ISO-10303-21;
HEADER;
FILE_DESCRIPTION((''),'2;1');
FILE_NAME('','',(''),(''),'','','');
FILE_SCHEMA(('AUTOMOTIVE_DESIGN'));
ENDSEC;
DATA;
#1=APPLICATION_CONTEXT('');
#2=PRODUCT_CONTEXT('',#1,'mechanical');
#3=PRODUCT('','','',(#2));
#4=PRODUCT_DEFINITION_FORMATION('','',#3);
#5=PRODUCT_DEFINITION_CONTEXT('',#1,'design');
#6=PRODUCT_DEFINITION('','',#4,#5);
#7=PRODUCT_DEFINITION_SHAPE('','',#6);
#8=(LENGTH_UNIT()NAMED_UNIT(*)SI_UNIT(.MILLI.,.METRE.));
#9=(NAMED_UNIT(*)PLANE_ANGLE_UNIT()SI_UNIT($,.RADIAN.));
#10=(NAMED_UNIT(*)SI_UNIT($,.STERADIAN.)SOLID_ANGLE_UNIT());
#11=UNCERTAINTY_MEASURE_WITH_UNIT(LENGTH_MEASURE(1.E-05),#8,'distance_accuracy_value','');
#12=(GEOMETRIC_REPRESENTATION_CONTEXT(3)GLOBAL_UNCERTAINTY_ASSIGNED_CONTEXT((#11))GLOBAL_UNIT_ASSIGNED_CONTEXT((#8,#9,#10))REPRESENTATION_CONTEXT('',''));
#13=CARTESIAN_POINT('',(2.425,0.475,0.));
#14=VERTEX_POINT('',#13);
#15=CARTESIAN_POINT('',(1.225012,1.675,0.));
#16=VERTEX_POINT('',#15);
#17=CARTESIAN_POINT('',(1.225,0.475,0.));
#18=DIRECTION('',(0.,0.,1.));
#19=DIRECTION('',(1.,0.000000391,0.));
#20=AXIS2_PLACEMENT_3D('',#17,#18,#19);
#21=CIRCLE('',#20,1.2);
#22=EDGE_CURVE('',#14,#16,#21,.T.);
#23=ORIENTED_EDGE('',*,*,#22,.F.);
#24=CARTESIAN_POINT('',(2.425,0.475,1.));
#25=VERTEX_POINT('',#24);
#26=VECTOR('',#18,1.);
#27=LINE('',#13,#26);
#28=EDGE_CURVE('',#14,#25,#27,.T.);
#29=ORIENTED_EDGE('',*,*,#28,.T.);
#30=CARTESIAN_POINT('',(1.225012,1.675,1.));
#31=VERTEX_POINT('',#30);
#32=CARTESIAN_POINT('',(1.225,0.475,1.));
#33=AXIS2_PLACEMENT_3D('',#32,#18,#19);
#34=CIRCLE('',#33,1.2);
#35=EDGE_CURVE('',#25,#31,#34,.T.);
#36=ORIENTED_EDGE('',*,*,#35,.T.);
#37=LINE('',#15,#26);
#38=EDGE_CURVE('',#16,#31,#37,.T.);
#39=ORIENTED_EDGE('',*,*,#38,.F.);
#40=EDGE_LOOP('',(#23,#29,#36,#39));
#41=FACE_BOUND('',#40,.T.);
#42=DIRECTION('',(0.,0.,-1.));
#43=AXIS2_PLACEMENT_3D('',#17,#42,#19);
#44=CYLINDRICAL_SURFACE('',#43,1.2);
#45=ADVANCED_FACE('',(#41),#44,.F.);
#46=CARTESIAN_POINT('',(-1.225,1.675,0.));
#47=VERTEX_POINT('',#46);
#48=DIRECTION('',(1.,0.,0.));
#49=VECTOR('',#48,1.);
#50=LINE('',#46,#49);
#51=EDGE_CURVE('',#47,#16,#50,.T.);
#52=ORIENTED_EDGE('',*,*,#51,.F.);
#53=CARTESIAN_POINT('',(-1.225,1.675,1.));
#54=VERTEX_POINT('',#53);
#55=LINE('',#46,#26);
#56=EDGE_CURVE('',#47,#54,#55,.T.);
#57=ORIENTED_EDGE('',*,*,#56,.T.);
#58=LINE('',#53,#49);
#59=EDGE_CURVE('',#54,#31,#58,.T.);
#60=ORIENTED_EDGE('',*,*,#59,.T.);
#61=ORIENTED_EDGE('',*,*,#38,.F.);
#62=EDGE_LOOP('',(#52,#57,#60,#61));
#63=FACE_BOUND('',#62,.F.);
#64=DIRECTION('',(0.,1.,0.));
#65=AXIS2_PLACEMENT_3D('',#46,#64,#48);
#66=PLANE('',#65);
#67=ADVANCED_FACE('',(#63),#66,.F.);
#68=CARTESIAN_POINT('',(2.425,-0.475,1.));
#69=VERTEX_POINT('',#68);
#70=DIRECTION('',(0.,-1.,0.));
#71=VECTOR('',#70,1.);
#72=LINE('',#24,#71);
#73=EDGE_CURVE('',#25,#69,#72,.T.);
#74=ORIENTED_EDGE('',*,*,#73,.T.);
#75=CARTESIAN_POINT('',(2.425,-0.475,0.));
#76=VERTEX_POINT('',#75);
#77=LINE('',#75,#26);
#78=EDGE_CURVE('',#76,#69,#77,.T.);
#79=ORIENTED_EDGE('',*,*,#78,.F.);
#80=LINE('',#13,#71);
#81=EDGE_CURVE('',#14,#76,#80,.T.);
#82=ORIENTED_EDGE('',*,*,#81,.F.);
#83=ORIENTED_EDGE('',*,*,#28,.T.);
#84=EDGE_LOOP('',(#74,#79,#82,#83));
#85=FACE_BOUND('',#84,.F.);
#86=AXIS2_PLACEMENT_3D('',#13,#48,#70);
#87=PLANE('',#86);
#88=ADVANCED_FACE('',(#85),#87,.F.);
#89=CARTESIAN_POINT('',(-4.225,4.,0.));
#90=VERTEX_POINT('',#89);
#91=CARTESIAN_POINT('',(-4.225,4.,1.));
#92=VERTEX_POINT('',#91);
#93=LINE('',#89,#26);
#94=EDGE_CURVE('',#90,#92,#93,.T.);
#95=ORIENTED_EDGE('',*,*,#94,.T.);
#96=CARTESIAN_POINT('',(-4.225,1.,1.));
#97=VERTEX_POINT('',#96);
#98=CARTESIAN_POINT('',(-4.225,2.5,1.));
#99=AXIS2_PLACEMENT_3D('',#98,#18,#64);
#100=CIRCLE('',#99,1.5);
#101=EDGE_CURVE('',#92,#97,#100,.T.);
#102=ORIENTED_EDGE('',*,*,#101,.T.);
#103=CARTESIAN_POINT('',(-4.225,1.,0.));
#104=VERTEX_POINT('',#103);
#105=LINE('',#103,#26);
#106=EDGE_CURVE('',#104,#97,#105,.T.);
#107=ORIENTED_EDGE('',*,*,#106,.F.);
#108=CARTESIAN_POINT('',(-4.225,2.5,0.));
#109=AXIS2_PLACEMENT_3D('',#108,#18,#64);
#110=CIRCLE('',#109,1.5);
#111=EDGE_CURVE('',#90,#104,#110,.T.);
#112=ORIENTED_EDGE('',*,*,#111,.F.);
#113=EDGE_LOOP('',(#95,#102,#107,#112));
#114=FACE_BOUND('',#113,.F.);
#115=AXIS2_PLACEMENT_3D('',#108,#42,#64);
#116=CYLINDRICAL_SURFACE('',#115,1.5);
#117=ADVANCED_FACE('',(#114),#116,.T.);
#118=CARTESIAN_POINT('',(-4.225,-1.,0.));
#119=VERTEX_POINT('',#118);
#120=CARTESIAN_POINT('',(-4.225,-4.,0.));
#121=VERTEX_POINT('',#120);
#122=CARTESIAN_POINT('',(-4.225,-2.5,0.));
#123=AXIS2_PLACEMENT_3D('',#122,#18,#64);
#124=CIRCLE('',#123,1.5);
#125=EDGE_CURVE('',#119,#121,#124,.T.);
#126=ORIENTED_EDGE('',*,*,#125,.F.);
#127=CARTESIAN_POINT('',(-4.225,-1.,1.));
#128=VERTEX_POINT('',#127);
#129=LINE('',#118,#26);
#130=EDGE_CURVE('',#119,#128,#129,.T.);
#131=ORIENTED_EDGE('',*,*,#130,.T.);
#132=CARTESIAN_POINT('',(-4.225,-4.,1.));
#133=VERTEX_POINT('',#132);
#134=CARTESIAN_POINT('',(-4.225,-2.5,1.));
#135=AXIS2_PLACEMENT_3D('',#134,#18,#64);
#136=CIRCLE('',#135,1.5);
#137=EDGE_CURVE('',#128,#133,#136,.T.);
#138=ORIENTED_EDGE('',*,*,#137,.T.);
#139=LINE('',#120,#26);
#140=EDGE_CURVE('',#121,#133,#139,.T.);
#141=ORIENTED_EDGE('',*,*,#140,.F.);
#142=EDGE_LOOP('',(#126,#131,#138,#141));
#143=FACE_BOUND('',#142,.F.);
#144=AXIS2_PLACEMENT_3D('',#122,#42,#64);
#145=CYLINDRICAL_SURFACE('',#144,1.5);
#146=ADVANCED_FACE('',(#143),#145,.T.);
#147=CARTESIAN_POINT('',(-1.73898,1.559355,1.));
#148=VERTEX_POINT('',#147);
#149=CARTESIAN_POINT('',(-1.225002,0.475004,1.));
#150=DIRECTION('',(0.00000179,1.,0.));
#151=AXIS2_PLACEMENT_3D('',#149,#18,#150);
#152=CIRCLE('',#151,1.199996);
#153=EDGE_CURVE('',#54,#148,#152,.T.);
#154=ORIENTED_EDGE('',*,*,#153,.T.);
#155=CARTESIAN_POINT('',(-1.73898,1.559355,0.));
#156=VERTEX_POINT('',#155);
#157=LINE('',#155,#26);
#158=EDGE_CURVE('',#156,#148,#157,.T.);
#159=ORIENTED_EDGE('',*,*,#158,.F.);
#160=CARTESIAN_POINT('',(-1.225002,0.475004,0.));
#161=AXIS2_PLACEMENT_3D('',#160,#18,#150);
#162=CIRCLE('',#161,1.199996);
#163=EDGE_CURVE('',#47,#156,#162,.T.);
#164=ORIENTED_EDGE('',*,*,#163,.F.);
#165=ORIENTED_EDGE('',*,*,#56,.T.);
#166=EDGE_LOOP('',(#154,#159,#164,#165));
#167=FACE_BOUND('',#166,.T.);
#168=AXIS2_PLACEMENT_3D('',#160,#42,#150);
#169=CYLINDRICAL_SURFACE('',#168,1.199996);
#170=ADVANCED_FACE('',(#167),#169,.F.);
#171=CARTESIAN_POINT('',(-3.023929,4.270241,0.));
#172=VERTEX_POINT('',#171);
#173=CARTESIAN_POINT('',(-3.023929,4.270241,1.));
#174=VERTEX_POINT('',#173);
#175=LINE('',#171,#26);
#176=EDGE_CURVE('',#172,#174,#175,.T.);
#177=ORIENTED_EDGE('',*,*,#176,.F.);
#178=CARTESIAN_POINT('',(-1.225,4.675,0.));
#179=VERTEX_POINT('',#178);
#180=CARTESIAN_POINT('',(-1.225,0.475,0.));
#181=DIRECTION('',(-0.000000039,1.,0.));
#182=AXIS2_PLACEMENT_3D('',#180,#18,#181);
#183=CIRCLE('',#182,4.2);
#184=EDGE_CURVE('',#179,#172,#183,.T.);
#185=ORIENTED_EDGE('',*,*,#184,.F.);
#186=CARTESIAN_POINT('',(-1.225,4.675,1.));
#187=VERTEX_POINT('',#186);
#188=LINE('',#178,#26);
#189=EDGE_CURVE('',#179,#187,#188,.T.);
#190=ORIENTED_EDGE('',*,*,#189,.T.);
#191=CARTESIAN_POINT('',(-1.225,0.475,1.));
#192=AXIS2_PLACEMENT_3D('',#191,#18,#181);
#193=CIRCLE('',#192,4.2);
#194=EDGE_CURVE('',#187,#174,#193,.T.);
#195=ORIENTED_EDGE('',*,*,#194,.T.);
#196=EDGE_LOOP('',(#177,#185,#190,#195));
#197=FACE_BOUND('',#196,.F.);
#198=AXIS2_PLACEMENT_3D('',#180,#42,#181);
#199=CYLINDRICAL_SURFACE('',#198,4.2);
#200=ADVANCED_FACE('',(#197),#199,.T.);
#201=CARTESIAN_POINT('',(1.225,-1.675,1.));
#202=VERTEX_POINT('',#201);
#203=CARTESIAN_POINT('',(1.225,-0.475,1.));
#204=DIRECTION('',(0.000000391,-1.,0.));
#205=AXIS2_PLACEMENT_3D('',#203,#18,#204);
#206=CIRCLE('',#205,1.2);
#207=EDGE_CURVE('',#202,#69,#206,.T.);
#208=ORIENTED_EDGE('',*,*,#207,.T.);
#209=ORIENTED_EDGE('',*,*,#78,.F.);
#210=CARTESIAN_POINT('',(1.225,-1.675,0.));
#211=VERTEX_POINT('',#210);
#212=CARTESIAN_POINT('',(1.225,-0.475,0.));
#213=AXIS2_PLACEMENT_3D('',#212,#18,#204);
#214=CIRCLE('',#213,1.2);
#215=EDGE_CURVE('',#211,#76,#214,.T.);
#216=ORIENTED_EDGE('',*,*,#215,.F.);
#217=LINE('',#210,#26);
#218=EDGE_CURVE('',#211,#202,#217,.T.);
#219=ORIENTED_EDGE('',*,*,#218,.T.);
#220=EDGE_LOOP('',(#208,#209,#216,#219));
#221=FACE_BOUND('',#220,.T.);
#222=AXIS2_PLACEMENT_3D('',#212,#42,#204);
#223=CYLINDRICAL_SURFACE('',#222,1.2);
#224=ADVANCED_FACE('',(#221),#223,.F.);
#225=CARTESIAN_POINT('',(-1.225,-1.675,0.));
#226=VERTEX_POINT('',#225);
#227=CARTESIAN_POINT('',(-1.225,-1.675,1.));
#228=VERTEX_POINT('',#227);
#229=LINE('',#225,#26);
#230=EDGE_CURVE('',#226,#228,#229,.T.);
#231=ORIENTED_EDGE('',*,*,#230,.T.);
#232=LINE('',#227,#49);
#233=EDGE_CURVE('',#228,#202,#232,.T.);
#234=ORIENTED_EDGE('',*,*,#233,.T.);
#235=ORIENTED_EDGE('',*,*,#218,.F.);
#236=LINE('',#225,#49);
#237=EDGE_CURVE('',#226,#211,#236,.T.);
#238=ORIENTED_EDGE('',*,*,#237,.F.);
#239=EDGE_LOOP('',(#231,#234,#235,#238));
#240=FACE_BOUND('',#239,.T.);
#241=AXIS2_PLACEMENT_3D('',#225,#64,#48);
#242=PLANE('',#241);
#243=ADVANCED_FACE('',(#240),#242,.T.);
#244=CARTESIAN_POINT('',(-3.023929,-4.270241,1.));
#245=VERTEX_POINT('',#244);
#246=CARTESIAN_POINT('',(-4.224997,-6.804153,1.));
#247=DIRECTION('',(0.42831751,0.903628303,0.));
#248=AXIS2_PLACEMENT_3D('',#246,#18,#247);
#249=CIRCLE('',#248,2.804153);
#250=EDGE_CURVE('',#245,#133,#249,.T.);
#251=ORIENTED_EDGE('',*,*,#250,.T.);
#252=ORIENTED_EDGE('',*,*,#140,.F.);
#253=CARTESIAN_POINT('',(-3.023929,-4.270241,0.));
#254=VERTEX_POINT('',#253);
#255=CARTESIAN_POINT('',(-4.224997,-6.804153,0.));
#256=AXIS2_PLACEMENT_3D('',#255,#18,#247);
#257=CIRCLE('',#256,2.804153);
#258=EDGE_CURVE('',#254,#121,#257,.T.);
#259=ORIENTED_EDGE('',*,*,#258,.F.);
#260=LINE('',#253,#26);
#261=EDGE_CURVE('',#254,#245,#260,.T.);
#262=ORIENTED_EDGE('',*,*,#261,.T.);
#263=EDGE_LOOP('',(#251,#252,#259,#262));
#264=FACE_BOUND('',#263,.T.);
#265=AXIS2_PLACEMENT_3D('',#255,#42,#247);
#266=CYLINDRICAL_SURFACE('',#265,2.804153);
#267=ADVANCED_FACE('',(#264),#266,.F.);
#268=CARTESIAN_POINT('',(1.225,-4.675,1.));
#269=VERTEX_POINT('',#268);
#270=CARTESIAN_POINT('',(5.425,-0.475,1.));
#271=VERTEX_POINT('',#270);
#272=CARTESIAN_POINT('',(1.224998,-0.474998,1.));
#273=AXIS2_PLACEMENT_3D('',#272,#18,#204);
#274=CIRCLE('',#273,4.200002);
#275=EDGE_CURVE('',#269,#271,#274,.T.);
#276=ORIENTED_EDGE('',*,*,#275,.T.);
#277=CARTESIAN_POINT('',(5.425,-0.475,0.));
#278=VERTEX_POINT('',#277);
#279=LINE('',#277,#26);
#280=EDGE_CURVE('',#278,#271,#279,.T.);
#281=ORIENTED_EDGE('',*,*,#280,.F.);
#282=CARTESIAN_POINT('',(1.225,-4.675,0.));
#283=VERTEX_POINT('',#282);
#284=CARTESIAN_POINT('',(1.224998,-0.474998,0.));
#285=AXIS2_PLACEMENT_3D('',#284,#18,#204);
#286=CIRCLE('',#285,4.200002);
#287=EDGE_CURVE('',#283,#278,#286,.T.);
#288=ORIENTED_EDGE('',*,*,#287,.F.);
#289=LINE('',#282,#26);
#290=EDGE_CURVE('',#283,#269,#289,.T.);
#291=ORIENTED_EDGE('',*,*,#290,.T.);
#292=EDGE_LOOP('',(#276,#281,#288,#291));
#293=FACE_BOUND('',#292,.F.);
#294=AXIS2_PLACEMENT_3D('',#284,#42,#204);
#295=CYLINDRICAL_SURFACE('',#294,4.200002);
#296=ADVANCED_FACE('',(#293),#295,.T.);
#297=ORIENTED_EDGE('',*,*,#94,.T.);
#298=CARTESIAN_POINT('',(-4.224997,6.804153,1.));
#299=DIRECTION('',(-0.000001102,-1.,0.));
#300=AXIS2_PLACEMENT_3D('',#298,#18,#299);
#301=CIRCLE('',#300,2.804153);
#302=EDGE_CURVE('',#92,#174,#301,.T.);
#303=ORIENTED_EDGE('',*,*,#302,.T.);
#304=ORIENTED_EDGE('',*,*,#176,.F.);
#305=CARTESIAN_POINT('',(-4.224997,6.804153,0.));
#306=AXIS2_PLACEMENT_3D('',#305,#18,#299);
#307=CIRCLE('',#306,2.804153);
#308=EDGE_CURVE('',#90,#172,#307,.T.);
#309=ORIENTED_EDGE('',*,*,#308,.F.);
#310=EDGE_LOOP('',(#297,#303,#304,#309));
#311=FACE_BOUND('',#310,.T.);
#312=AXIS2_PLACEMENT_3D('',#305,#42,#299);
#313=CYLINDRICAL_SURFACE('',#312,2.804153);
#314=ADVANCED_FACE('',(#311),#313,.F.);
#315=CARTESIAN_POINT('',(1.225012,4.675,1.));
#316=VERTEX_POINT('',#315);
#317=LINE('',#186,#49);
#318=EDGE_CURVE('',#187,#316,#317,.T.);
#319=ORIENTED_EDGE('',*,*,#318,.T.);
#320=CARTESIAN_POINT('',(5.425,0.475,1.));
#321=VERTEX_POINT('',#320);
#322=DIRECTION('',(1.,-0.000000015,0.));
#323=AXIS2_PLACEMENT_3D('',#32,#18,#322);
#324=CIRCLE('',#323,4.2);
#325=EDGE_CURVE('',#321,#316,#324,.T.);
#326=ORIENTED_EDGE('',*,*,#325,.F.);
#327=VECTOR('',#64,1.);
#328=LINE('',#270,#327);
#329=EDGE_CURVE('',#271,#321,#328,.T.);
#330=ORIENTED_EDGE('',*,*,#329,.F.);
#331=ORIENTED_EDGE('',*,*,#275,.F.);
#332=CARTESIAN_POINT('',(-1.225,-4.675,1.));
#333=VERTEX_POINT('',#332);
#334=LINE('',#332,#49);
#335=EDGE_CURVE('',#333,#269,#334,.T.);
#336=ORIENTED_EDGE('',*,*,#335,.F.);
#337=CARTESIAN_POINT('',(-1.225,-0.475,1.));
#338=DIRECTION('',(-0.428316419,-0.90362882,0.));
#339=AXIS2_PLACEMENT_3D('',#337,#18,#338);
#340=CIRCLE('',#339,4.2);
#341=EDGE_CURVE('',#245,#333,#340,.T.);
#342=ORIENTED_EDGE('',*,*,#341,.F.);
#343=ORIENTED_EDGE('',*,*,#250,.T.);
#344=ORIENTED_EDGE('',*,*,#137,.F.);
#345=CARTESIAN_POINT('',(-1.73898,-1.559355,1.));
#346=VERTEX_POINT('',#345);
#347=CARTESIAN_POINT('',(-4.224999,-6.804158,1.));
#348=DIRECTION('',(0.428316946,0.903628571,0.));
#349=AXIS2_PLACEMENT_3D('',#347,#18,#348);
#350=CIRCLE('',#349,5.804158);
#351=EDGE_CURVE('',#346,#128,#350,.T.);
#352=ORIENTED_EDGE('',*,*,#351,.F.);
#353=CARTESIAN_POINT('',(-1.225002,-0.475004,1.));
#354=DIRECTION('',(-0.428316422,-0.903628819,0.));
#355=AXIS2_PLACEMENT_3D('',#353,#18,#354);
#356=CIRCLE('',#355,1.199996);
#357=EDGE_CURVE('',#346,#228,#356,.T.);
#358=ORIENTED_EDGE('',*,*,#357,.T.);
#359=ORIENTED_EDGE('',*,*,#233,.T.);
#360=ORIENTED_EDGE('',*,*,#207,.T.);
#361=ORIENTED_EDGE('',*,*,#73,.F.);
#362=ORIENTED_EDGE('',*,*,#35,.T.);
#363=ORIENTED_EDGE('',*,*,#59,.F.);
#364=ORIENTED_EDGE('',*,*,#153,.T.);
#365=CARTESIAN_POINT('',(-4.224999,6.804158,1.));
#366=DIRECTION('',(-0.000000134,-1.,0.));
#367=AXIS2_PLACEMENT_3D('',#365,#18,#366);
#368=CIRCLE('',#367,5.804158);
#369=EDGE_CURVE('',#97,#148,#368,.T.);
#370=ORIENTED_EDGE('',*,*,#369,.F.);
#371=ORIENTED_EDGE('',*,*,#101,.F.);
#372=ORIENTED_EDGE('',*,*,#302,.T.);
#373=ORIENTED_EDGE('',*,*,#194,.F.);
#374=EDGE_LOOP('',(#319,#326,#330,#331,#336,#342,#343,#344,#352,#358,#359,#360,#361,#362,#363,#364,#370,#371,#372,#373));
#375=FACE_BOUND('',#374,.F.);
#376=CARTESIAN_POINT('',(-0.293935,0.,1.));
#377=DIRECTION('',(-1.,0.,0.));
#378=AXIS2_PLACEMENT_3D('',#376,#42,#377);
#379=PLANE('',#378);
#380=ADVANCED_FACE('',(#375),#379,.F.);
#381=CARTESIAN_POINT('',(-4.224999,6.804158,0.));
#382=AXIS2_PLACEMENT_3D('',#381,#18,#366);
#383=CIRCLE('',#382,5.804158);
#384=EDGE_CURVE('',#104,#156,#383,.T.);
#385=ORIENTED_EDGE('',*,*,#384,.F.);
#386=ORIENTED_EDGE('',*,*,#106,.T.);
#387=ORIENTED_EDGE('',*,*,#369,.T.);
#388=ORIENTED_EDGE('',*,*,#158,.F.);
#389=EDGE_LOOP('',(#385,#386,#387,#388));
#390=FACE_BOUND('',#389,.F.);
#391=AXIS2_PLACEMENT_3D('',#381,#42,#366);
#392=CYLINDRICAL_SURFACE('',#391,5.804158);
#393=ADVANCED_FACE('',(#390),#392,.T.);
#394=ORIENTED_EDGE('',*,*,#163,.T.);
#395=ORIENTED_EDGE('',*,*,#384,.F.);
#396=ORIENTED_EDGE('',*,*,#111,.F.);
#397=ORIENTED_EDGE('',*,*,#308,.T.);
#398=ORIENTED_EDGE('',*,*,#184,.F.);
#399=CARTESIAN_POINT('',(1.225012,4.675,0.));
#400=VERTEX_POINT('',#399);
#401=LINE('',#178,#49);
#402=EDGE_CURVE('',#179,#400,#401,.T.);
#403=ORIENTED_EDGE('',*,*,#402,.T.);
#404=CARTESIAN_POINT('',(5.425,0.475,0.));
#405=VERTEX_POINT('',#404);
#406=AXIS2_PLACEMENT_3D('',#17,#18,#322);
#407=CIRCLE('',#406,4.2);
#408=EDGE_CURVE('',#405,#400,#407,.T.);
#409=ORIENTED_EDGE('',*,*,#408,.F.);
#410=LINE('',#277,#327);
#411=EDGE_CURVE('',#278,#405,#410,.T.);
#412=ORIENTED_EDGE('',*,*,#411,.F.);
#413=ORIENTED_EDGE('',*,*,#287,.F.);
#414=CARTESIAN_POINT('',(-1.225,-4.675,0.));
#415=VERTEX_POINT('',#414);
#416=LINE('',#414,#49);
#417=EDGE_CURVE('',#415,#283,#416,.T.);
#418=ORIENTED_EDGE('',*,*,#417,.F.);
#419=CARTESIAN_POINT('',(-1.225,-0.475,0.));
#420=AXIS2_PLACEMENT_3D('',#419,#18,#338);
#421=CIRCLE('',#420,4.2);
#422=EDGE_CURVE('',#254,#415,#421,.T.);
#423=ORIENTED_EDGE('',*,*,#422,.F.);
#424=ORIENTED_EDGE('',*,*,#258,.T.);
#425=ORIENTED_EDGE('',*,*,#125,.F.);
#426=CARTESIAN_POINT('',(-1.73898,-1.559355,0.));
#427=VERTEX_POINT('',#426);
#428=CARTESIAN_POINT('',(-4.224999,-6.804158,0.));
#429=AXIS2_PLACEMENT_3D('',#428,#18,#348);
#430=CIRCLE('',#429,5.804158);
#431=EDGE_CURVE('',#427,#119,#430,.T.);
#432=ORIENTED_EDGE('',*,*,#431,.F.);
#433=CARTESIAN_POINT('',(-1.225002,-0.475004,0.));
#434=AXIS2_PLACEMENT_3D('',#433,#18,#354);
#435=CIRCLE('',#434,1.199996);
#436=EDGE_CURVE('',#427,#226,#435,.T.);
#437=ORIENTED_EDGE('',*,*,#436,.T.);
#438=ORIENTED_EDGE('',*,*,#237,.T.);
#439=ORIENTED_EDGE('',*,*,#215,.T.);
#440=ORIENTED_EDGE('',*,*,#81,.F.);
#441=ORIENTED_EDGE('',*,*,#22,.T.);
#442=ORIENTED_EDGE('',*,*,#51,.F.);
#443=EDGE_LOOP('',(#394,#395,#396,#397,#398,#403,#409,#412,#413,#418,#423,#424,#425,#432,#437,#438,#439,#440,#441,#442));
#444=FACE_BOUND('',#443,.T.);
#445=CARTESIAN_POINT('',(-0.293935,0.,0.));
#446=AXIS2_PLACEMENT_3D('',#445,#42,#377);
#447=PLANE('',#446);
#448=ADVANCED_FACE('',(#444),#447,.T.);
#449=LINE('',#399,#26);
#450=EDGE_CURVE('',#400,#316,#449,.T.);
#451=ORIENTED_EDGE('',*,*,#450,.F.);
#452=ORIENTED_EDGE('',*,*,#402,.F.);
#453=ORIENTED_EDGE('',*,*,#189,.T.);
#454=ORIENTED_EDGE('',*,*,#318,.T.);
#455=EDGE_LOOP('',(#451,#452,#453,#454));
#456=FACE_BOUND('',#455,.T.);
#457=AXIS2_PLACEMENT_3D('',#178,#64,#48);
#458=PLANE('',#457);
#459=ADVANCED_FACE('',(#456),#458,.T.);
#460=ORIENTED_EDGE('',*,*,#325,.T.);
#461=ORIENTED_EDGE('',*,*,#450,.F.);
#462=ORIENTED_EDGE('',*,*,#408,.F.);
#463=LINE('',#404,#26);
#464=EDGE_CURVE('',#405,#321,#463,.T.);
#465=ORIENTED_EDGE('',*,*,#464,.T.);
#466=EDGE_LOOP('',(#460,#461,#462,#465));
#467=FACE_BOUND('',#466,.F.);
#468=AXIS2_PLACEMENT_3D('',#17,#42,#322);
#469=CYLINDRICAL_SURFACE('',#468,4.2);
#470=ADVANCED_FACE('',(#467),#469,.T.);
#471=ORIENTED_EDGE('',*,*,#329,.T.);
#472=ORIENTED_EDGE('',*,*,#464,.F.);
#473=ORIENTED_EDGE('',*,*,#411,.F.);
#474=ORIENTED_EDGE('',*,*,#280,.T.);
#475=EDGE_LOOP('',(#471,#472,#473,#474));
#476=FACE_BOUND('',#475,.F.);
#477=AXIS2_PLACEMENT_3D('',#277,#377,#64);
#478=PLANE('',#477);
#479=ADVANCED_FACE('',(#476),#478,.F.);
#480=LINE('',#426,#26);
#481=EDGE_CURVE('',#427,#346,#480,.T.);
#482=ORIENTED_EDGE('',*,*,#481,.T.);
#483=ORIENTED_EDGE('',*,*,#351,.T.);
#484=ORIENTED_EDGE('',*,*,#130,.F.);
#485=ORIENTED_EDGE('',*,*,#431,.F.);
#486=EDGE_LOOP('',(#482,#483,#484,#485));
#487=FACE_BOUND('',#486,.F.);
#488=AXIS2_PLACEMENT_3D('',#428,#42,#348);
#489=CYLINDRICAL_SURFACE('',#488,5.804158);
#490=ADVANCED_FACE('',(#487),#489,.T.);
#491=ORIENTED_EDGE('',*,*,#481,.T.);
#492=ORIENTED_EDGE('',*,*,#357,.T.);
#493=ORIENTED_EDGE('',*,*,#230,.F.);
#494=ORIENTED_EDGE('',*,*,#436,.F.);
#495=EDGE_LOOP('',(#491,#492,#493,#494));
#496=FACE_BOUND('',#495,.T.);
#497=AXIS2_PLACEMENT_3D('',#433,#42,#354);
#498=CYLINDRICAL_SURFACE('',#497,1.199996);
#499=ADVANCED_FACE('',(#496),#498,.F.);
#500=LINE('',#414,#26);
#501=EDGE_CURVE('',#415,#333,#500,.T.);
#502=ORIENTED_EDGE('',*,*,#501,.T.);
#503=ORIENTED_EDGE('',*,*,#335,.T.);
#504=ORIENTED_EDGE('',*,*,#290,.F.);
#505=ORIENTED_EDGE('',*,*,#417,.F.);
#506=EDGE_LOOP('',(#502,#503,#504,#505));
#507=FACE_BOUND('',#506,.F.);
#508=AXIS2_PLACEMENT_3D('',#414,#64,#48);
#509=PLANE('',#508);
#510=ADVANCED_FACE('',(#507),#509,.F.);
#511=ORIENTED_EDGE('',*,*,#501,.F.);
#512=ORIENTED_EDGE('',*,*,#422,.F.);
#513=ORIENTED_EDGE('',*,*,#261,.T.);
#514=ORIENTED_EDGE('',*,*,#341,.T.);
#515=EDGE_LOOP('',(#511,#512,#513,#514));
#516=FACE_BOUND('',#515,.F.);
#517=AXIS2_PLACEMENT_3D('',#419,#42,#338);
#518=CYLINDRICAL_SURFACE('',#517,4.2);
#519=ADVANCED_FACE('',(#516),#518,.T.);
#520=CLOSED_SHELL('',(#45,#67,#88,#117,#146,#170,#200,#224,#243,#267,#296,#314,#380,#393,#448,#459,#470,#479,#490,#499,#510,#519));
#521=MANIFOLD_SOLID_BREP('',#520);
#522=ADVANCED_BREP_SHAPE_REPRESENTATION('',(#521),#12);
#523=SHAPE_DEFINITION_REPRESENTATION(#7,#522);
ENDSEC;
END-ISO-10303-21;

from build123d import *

# Parameters (mm, degrees)
PAD_DEPTH = 1


with BuildPart() as part:
    # Sketch → Pad (new body)
    with BuildSketch(Plane.XY):
        with BuildLine():
            ThreePointArc((-1.225, 1.675), (-1.488415, 1.645732), (-1.73898, 1.559355))
            ThreePointArc((-4.225, 1), (-2.950915, 1.141565), (-1.73898, 1.559355))
            ThreePointArc((-4.225, 4), (-5.725, 2.5), (-4.225, 1))
            ThreePointArc((-4.225, 4), (-3.609451, 4.068394), (-3.023929, 4.270241))
            ThreePointArc((-1.225, 4.675), (-2.146951, 4.572561), (-3.023929, 4.270241))
            Line((-1.225, 4.675), (1.225012, 4.675))
            ThreePointArc((5.425, 0.475), (4.194853, 3.444844), (1.225012, 4.675))
            Line((5.425, -0.475), (5.425, 0.475))
            ThreePointArc((1.225, -4.675), (4.194848, -3.444848), (5.425, -0.475))
            Line((-1.225, -4.675), (1.225, -4.675))
            ThreePointArc((-3.023929, -4.270241), (-2.146951, -4.572561), (-1.225, -4.675))
            ThreePointArc((-3.023929, -4.270241), (-3.609451, -4.068394), (-4.225, -4))
            ThreePointArc((-4.225, -1), (-5.725, -2.5), (-4.225, -4))
            ThreePointArc((-1.73898, -1.559355), (-2.950915, -1.141565), (-4.225, -1))
            ThreePointArc((-1.73898, -1.559355), (-1.488415, -1.645732), (-1.225, -1.675))
            Line((-1.225, -1.675), (1.225, -1.675))
            ThreePointArc((1.225, -1.675), (2.073528, -1.323528), (2.425, -0.475))
            Line((2.425, 0.475), (2.425, -0.475))
            ThreePointArc((2.425, 0.475), (2.073532, 1.323524), (1.225012, 1.675))
            Line((-1.225, 1.675), (1.225012, 1.675))
        make_face()
    extrude(amount=PAD_DEPTH)


solid = part.part
